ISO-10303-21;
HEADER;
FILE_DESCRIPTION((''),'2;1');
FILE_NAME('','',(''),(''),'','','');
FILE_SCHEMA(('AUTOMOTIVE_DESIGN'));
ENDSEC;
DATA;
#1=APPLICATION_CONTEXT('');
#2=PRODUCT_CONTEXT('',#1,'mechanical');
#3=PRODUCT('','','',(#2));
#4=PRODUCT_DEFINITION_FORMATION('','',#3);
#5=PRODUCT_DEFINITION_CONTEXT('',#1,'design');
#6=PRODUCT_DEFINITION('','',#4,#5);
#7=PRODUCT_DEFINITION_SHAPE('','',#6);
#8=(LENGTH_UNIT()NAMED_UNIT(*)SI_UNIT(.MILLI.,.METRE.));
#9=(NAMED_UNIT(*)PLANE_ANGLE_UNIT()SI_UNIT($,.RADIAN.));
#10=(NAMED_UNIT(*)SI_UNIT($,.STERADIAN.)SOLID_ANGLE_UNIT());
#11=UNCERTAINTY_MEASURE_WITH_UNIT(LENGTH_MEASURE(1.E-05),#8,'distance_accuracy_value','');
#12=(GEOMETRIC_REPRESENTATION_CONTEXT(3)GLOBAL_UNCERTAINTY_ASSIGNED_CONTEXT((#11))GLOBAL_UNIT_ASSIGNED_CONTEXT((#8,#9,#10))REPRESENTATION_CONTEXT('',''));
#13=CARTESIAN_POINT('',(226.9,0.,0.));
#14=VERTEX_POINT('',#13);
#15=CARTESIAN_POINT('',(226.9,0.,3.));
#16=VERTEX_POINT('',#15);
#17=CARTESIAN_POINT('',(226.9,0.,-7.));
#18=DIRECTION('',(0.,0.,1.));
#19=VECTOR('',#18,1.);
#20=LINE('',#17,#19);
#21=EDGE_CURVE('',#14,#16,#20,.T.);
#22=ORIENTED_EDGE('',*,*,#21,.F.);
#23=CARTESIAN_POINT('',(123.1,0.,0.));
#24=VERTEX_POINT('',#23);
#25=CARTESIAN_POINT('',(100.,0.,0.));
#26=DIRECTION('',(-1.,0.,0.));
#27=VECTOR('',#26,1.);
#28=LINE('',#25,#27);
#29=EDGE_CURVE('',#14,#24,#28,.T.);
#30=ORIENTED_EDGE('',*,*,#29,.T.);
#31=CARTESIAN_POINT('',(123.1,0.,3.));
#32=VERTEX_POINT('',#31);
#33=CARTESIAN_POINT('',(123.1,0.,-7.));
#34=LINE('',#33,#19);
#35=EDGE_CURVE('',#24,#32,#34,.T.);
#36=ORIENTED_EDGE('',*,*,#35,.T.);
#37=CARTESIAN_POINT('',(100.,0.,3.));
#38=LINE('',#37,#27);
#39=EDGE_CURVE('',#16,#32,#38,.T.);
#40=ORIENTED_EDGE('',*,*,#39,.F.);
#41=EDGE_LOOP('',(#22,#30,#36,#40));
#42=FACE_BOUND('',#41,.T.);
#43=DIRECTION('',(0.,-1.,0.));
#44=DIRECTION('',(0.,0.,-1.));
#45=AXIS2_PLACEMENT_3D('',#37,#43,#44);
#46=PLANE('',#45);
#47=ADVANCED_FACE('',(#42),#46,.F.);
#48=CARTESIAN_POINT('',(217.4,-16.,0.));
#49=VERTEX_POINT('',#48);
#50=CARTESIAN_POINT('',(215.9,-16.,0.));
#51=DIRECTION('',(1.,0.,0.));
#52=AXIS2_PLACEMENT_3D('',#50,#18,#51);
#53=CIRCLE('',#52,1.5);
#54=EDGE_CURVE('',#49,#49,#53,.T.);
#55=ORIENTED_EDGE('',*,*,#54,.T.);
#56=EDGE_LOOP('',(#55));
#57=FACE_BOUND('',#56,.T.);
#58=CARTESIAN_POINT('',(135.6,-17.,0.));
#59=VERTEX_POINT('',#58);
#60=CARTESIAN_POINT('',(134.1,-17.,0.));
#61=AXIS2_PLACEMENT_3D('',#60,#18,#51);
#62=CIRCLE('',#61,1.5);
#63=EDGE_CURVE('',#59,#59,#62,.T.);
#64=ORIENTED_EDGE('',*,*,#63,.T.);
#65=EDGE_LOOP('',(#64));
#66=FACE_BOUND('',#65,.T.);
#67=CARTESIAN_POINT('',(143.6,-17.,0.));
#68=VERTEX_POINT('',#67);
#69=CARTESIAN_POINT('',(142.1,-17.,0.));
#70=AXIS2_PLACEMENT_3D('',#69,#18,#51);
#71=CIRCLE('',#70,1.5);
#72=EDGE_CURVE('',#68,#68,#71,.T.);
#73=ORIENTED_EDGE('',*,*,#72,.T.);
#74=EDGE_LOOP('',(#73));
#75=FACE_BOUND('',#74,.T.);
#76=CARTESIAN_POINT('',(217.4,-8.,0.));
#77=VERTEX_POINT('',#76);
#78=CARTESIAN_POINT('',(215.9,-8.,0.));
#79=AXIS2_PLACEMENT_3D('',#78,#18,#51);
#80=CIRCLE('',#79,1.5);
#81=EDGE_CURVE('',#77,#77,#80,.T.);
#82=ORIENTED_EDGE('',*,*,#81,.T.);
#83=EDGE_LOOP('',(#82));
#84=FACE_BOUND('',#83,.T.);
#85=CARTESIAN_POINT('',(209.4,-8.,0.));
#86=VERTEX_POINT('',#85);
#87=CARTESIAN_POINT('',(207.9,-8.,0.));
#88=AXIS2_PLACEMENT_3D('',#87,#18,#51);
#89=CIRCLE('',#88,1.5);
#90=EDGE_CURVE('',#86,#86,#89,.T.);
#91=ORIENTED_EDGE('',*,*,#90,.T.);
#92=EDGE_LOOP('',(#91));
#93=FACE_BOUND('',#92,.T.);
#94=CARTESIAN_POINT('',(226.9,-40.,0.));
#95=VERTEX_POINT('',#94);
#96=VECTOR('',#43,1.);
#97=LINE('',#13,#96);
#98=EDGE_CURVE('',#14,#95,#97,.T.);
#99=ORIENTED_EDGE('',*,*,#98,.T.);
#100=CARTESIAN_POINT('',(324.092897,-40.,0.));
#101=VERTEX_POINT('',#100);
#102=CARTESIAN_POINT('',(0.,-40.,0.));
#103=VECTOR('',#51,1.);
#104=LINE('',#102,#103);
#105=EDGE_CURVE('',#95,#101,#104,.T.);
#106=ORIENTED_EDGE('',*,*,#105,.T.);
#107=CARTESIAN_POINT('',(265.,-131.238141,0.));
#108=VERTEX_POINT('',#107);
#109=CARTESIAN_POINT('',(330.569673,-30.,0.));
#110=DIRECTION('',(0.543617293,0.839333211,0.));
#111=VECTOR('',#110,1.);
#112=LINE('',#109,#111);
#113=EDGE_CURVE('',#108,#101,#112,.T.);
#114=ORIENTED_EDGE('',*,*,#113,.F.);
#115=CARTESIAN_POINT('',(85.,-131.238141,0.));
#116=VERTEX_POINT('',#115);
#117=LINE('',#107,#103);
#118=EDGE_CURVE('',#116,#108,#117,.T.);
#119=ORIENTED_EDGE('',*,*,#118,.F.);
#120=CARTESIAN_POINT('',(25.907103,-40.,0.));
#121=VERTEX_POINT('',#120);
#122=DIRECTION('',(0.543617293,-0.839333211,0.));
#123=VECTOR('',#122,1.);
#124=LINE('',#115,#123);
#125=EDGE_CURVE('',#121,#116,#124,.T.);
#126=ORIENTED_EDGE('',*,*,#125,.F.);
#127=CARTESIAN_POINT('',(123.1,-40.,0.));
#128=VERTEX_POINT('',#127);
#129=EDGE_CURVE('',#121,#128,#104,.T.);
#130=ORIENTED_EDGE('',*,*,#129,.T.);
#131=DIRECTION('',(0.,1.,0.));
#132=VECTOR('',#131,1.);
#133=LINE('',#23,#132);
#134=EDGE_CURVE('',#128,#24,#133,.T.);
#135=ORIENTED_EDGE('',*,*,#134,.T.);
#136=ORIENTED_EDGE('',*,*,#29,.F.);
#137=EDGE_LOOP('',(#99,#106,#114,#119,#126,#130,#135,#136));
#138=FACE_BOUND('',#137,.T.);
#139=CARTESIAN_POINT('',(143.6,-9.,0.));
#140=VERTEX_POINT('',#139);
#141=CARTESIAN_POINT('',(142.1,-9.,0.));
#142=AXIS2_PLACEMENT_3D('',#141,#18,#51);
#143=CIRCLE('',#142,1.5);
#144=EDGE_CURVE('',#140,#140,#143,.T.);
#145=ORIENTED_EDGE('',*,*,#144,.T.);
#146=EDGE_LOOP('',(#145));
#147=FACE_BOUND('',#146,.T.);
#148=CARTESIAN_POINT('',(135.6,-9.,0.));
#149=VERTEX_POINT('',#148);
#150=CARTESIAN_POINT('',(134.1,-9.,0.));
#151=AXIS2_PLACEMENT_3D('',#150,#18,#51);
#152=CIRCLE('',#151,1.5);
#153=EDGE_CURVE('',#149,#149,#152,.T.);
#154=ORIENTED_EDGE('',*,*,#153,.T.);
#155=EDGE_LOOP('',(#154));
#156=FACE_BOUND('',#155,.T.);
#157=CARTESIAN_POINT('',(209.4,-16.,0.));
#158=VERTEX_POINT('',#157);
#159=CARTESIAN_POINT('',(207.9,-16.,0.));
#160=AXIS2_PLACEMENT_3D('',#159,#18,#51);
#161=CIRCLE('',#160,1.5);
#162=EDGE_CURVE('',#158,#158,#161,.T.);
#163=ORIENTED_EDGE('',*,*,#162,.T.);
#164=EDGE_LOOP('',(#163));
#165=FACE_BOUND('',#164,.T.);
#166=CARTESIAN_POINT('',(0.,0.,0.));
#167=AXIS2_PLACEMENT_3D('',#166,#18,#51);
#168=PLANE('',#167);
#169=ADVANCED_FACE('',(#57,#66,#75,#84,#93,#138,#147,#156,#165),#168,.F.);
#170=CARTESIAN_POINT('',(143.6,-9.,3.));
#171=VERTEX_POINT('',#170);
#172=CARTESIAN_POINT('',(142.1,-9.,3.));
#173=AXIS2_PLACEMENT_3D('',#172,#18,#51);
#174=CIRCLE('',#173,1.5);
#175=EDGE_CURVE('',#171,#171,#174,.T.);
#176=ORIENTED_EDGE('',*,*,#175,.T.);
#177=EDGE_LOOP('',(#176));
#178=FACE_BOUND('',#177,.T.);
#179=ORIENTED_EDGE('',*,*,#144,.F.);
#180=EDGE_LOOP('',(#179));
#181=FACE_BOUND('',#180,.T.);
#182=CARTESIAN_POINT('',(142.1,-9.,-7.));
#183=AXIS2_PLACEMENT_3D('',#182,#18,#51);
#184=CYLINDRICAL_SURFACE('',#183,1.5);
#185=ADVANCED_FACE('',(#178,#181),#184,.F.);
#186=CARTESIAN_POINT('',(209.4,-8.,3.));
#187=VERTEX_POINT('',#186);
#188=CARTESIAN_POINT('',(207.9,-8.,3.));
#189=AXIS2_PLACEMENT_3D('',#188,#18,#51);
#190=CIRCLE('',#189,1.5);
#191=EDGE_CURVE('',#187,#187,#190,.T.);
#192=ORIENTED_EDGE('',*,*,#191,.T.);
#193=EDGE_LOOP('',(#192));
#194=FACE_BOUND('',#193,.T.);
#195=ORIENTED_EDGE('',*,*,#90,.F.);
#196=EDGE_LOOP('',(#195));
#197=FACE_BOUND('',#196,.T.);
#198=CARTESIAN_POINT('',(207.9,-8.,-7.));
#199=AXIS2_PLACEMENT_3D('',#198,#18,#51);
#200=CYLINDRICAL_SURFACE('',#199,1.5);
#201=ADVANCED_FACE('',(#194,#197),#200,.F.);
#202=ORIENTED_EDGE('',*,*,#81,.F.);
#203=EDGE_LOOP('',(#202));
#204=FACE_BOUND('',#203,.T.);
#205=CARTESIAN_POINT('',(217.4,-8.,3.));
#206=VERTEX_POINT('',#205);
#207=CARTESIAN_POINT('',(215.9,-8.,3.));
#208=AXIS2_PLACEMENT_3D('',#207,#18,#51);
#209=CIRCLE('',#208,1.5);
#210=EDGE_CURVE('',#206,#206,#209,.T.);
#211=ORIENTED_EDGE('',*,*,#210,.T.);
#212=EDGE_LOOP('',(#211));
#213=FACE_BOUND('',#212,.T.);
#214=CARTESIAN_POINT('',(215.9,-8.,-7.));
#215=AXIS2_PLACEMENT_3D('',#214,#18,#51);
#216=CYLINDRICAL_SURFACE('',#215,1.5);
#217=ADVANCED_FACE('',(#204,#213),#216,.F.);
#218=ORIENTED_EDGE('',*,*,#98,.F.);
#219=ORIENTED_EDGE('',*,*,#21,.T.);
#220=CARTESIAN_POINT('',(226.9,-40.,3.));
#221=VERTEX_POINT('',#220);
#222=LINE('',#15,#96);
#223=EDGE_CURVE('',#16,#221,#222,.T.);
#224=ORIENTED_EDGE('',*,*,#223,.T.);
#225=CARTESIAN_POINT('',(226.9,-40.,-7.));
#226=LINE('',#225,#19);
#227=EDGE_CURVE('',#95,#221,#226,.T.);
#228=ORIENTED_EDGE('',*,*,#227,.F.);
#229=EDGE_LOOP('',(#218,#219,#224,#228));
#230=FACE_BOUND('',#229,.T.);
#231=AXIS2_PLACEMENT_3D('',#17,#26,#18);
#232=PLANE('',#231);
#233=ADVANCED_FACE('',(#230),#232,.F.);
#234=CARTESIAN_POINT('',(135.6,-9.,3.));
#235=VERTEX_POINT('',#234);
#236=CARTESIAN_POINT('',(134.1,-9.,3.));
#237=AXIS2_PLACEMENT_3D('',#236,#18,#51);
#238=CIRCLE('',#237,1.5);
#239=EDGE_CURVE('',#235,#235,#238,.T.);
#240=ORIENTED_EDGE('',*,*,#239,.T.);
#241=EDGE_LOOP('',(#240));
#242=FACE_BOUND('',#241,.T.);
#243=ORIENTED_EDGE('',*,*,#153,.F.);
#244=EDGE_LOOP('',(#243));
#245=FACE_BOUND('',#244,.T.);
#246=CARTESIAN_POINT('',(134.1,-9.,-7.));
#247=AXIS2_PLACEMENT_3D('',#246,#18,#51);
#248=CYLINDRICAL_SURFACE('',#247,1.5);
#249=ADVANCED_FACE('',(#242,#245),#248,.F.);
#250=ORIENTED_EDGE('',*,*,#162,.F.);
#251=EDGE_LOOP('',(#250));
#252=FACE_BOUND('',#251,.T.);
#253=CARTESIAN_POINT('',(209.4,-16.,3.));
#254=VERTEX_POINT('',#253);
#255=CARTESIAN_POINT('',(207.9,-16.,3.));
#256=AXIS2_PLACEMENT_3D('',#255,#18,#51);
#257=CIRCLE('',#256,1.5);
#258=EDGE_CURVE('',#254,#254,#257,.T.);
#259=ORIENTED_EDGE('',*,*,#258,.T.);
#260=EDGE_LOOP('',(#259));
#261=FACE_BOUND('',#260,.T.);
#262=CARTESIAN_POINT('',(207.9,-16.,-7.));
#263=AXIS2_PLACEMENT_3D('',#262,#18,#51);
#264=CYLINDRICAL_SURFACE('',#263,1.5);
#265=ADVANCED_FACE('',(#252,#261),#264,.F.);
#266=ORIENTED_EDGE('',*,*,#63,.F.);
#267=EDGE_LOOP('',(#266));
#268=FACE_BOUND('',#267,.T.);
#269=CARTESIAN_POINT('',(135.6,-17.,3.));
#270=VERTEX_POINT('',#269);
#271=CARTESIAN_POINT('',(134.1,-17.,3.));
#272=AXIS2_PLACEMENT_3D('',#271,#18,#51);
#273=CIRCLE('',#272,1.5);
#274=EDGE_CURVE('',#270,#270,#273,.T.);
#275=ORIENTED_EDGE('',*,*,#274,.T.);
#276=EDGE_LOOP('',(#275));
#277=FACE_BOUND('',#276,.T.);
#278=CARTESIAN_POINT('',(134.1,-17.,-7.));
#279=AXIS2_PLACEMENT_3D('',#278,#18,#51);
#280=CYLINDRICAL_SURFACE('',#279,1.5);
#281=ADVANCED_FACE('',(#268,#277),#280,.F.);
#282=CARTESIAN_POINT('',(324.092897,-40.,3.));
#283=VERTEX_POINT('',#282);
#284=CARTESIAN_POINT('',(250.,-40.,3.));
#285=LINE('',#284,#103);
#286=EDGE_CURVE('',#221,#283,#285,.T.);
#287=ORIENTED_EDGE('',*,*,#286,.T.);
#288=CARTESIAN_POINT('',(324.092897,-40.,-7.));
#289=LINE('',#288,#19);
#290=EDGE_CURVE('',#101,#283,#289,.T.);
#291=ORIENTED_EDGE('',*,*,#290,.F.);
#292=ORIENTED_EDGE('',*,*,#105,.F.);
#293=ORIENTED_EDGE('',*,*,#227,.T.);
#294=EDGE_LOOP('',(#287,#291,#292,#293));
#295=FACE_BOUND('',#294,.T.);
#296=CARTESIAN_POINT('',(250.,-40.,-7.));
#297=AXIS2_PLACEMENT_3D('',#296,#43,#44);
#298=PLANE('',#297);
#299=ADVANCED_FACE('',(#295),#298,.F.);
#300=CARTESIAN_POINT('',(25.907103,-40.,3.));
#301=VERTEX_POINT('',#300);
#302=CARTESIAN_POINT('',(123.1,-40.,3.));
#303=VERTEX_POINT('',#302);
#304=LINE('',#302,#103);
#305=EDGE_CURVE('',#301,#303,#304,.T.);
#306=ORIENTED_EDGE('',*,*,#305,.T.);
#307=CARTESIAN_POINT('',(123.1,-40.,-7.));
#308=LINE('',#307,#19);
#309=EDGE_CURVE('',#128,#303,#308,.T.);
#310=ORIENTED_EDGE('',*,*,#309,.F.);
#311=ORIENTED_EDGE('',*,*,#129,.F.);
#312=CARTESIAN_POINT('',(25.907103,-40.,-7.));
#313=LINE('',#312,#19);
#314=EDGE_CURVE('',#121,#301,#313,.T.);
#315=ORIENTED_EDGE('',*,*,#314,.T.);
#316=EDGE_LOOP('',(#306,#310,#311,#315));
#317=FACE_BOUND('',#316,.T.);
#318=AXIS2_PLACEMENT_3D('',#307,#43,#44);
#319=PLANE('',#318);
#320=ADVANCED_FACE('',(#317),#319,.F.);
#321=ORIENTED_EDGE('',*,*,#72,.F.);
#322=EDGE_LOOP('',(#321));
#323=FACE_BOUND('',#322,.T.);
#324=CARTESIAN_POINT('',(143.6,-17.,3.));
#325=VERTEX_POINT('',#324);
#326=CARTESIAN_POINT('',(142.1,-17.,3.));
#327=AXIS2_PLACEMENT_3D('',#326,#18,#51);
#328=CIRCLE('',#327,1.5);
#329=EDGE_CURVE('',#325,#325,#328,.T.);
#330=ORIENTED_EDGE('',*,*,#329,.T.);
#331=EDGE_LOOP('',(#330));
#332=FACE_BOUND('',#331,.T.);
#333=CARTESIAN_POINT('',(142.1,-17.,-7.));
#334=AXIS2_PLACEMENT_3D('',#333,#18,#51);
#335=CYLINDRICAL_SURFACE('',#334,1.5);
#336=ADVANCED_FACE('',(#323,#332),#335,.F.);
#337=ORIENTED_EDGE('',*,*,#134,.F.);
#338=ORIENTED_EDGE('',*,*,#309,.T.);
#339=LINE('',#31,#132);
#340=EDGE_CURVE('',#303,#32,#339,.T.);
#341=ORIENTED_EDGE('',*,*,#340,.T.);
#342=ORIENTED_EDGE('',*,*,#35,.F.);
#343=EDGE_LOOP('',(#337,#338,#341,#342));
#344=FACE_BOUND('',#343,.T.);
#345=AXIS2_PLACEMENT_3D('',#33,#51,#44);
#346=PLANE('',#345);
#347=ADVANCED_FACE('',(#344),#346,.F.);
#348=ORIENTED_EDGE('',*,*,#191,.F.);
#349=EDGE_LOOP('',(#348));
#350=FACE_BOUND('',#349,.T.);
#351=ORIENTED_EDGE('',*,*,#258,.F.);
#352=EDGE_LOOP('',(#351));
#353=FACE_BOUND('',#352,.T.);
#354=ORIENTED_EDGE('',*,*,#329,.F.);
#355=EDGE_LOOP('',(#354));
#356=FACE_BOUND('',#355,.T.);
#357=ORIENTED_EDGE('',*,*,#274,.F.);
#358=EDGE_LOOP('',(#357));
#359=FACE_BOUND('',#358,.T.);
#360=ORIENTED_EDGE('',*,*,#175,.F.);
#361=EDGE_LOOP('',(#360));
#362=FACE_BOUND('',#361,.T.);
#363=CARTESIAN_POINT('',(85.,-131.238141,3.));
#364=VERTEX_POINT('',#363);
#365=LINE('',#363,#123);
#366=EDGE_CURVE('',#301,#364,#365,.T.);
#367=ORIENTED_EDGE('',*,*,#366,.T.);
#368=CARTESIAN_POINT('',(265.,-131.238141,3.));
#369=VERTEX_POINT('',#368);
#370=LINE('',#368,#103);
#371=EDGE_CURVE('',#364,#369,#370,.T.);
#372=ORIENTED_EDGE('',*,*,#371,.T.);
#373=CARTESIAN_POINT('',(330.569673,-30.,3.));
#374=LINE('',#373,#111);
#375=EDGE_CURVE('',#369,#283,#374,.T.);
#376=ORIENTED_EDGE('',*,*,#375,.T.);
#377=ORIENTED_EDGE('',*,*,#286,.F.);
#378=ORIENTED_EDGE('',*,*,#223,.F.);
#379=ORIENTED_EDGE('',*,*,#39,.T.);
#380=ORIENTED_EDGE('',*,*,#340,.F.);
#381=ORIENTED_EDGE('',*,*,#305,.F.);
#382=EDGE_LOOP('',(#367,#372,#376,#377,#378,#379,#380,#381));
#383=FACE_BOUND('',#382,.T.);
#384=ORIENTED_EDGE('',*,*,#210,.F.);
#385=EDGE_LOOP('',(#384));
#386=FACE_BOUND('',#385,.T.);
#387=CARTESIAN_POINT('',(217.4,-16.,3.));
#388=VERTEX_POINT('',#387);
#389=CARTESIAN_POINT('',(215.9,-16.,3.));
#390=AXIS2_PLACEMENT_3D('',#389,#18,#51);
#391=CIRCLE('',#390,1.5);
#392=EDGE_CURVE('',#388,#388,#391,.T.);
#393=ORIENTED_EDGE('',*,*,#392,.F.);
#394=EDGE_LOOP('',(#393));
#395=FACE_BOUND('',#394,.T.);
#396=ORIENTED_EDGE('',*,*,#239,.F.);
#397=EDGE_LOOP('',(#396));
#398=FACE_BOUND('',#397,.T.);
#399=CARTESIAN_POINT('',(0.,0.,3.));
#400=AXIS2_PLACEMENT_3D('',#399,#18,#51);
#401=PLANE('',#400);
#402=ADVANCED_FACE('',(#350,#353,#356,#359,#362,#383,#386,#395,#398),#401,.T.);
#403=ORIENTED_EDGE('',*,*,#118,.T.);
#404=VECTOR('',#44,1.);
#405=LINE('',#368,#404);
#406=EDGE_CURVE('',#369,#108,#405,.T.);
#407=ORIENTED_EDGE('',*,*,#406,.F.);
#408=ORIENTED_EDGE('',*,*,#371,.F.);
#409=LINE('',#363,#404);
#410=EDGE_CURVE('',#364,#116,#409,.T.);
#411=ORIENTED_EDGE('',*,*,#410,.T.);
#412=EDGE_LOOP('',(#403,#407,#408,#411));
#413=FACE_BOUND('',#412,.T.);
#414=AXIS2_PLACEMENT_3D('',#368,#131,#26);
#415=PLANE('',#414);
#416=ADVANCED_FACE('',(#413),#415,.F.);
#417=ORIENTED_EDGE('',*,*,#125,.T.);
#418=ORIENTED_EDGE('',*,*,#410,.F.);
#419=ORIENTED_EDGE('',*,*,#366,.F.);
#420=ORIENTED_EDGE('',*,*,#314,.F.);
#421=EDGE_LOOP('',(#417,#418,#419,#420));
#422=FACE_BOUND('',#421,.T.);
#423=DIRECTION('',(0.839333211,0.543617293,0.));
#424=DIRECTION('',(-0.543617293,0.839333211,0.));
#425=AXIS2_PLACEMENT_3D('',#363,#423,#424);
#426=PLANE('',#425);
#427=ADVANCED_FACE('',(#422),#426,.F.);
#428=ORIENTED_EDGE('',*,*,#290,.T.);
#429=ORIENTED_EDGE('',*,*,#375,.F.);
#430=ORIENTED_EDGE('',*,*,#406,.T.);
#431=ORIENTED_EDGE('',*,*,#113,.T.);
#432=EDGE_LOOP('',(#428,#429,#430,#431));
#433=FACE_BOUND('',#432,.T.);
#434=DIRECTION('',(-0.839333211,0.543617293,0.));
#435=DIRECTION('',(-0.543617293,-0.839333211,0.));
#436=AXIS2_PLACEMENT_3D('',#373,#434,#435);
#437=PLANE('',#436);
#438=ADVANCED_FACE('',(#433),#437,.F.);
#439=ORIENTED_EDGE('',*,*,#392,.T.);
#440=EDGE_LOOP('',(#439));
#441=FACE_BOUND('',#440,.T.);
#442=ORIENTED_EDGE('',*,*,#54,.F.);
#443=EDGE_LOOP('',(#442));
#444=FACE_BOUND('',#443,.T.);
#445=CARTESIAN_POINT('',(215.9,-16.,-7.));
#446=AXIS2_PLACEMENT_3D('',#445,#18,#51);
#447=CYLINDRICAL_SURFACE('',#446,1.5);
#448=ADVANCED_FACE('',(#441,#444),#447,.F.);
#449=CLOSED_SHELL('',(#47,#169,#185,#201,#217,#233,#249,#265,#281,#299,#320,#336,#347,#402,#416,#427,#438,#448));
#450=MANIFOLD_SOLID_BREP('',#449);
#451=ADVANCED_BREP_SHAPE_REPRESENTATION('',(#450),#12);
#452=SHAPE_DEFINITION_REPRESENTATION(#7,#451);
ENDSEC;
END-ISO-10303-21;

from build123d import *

# Parameters (mm, degrees)
EXTRUDE_1_DEPTH     = 3
CUT_EXTRUDE_1_DEPTH = 10
SKETCH_3_R          = 1.5
CUT_EXTRUDE_2_DEPTH = 10


with BuildPart() as part:
    # 草图1 → 凸台-拉伸1 (new body)
    with BuildSketch(Plane.XY):
        Polygon((100, 0), (250, 0), (250, -30), (330.569672928, -30), (265, -131.238140798), (85, -131.238140798), (19.430327072, -30), (100, -30), align=None)
    extrude(amount=EXTRUDE_1_DEPTH)

    # 草图2 → 切除-拉伸1 (cut)
    with BuildSketch(Plane.XY.offset(3)):
        Polygon((250, -40), (324.092897238, -40), (330.569672928, -30), (250, -30), (250, 0), (226.9, 0), (226.9, -40), align=None)
        Polygon((100, -40), (25.907102762, -40), (19.430327072, -30), (100, -30), (100, 0), (123.1, 0), (123.1, -40), align=None)
    extrude(amount=-CUT_EXTRUDE_1_DEPTH, mode=Mode.SUBTRACT)

    # 草图3 → 切除-拉伸2 (cut)
    with BuildSketch(Plane.XY.offset(3)):
        with Locations((134.1, -9)):
            Circle(SKETCH_3_R)
        with Locations((134.1, -17)):
            Circle(SKETCH_3_R)
        with Locations((142.1, -9)):
            Circle(SKETCH_3_R)
        with Locations((142.1, -17)):
            Circle(SKETCH_3_R)
        with Locations((207.9, -8)):
            Circle(SKETCH_3_R)
        with Locations((215.9, -8)):
            Circle(SKETCH_3_R)
        with Locations((207.9, -16)):
            Circle(SKETCH_3_R)
        with Locations((215.9, -16)):
            Circle(SKETCH_3_R)
    extrude(amount=-CUT_EXTRUDE_2_DEPTH, mode=Mode.SUBTRACT)


solid = part.part
